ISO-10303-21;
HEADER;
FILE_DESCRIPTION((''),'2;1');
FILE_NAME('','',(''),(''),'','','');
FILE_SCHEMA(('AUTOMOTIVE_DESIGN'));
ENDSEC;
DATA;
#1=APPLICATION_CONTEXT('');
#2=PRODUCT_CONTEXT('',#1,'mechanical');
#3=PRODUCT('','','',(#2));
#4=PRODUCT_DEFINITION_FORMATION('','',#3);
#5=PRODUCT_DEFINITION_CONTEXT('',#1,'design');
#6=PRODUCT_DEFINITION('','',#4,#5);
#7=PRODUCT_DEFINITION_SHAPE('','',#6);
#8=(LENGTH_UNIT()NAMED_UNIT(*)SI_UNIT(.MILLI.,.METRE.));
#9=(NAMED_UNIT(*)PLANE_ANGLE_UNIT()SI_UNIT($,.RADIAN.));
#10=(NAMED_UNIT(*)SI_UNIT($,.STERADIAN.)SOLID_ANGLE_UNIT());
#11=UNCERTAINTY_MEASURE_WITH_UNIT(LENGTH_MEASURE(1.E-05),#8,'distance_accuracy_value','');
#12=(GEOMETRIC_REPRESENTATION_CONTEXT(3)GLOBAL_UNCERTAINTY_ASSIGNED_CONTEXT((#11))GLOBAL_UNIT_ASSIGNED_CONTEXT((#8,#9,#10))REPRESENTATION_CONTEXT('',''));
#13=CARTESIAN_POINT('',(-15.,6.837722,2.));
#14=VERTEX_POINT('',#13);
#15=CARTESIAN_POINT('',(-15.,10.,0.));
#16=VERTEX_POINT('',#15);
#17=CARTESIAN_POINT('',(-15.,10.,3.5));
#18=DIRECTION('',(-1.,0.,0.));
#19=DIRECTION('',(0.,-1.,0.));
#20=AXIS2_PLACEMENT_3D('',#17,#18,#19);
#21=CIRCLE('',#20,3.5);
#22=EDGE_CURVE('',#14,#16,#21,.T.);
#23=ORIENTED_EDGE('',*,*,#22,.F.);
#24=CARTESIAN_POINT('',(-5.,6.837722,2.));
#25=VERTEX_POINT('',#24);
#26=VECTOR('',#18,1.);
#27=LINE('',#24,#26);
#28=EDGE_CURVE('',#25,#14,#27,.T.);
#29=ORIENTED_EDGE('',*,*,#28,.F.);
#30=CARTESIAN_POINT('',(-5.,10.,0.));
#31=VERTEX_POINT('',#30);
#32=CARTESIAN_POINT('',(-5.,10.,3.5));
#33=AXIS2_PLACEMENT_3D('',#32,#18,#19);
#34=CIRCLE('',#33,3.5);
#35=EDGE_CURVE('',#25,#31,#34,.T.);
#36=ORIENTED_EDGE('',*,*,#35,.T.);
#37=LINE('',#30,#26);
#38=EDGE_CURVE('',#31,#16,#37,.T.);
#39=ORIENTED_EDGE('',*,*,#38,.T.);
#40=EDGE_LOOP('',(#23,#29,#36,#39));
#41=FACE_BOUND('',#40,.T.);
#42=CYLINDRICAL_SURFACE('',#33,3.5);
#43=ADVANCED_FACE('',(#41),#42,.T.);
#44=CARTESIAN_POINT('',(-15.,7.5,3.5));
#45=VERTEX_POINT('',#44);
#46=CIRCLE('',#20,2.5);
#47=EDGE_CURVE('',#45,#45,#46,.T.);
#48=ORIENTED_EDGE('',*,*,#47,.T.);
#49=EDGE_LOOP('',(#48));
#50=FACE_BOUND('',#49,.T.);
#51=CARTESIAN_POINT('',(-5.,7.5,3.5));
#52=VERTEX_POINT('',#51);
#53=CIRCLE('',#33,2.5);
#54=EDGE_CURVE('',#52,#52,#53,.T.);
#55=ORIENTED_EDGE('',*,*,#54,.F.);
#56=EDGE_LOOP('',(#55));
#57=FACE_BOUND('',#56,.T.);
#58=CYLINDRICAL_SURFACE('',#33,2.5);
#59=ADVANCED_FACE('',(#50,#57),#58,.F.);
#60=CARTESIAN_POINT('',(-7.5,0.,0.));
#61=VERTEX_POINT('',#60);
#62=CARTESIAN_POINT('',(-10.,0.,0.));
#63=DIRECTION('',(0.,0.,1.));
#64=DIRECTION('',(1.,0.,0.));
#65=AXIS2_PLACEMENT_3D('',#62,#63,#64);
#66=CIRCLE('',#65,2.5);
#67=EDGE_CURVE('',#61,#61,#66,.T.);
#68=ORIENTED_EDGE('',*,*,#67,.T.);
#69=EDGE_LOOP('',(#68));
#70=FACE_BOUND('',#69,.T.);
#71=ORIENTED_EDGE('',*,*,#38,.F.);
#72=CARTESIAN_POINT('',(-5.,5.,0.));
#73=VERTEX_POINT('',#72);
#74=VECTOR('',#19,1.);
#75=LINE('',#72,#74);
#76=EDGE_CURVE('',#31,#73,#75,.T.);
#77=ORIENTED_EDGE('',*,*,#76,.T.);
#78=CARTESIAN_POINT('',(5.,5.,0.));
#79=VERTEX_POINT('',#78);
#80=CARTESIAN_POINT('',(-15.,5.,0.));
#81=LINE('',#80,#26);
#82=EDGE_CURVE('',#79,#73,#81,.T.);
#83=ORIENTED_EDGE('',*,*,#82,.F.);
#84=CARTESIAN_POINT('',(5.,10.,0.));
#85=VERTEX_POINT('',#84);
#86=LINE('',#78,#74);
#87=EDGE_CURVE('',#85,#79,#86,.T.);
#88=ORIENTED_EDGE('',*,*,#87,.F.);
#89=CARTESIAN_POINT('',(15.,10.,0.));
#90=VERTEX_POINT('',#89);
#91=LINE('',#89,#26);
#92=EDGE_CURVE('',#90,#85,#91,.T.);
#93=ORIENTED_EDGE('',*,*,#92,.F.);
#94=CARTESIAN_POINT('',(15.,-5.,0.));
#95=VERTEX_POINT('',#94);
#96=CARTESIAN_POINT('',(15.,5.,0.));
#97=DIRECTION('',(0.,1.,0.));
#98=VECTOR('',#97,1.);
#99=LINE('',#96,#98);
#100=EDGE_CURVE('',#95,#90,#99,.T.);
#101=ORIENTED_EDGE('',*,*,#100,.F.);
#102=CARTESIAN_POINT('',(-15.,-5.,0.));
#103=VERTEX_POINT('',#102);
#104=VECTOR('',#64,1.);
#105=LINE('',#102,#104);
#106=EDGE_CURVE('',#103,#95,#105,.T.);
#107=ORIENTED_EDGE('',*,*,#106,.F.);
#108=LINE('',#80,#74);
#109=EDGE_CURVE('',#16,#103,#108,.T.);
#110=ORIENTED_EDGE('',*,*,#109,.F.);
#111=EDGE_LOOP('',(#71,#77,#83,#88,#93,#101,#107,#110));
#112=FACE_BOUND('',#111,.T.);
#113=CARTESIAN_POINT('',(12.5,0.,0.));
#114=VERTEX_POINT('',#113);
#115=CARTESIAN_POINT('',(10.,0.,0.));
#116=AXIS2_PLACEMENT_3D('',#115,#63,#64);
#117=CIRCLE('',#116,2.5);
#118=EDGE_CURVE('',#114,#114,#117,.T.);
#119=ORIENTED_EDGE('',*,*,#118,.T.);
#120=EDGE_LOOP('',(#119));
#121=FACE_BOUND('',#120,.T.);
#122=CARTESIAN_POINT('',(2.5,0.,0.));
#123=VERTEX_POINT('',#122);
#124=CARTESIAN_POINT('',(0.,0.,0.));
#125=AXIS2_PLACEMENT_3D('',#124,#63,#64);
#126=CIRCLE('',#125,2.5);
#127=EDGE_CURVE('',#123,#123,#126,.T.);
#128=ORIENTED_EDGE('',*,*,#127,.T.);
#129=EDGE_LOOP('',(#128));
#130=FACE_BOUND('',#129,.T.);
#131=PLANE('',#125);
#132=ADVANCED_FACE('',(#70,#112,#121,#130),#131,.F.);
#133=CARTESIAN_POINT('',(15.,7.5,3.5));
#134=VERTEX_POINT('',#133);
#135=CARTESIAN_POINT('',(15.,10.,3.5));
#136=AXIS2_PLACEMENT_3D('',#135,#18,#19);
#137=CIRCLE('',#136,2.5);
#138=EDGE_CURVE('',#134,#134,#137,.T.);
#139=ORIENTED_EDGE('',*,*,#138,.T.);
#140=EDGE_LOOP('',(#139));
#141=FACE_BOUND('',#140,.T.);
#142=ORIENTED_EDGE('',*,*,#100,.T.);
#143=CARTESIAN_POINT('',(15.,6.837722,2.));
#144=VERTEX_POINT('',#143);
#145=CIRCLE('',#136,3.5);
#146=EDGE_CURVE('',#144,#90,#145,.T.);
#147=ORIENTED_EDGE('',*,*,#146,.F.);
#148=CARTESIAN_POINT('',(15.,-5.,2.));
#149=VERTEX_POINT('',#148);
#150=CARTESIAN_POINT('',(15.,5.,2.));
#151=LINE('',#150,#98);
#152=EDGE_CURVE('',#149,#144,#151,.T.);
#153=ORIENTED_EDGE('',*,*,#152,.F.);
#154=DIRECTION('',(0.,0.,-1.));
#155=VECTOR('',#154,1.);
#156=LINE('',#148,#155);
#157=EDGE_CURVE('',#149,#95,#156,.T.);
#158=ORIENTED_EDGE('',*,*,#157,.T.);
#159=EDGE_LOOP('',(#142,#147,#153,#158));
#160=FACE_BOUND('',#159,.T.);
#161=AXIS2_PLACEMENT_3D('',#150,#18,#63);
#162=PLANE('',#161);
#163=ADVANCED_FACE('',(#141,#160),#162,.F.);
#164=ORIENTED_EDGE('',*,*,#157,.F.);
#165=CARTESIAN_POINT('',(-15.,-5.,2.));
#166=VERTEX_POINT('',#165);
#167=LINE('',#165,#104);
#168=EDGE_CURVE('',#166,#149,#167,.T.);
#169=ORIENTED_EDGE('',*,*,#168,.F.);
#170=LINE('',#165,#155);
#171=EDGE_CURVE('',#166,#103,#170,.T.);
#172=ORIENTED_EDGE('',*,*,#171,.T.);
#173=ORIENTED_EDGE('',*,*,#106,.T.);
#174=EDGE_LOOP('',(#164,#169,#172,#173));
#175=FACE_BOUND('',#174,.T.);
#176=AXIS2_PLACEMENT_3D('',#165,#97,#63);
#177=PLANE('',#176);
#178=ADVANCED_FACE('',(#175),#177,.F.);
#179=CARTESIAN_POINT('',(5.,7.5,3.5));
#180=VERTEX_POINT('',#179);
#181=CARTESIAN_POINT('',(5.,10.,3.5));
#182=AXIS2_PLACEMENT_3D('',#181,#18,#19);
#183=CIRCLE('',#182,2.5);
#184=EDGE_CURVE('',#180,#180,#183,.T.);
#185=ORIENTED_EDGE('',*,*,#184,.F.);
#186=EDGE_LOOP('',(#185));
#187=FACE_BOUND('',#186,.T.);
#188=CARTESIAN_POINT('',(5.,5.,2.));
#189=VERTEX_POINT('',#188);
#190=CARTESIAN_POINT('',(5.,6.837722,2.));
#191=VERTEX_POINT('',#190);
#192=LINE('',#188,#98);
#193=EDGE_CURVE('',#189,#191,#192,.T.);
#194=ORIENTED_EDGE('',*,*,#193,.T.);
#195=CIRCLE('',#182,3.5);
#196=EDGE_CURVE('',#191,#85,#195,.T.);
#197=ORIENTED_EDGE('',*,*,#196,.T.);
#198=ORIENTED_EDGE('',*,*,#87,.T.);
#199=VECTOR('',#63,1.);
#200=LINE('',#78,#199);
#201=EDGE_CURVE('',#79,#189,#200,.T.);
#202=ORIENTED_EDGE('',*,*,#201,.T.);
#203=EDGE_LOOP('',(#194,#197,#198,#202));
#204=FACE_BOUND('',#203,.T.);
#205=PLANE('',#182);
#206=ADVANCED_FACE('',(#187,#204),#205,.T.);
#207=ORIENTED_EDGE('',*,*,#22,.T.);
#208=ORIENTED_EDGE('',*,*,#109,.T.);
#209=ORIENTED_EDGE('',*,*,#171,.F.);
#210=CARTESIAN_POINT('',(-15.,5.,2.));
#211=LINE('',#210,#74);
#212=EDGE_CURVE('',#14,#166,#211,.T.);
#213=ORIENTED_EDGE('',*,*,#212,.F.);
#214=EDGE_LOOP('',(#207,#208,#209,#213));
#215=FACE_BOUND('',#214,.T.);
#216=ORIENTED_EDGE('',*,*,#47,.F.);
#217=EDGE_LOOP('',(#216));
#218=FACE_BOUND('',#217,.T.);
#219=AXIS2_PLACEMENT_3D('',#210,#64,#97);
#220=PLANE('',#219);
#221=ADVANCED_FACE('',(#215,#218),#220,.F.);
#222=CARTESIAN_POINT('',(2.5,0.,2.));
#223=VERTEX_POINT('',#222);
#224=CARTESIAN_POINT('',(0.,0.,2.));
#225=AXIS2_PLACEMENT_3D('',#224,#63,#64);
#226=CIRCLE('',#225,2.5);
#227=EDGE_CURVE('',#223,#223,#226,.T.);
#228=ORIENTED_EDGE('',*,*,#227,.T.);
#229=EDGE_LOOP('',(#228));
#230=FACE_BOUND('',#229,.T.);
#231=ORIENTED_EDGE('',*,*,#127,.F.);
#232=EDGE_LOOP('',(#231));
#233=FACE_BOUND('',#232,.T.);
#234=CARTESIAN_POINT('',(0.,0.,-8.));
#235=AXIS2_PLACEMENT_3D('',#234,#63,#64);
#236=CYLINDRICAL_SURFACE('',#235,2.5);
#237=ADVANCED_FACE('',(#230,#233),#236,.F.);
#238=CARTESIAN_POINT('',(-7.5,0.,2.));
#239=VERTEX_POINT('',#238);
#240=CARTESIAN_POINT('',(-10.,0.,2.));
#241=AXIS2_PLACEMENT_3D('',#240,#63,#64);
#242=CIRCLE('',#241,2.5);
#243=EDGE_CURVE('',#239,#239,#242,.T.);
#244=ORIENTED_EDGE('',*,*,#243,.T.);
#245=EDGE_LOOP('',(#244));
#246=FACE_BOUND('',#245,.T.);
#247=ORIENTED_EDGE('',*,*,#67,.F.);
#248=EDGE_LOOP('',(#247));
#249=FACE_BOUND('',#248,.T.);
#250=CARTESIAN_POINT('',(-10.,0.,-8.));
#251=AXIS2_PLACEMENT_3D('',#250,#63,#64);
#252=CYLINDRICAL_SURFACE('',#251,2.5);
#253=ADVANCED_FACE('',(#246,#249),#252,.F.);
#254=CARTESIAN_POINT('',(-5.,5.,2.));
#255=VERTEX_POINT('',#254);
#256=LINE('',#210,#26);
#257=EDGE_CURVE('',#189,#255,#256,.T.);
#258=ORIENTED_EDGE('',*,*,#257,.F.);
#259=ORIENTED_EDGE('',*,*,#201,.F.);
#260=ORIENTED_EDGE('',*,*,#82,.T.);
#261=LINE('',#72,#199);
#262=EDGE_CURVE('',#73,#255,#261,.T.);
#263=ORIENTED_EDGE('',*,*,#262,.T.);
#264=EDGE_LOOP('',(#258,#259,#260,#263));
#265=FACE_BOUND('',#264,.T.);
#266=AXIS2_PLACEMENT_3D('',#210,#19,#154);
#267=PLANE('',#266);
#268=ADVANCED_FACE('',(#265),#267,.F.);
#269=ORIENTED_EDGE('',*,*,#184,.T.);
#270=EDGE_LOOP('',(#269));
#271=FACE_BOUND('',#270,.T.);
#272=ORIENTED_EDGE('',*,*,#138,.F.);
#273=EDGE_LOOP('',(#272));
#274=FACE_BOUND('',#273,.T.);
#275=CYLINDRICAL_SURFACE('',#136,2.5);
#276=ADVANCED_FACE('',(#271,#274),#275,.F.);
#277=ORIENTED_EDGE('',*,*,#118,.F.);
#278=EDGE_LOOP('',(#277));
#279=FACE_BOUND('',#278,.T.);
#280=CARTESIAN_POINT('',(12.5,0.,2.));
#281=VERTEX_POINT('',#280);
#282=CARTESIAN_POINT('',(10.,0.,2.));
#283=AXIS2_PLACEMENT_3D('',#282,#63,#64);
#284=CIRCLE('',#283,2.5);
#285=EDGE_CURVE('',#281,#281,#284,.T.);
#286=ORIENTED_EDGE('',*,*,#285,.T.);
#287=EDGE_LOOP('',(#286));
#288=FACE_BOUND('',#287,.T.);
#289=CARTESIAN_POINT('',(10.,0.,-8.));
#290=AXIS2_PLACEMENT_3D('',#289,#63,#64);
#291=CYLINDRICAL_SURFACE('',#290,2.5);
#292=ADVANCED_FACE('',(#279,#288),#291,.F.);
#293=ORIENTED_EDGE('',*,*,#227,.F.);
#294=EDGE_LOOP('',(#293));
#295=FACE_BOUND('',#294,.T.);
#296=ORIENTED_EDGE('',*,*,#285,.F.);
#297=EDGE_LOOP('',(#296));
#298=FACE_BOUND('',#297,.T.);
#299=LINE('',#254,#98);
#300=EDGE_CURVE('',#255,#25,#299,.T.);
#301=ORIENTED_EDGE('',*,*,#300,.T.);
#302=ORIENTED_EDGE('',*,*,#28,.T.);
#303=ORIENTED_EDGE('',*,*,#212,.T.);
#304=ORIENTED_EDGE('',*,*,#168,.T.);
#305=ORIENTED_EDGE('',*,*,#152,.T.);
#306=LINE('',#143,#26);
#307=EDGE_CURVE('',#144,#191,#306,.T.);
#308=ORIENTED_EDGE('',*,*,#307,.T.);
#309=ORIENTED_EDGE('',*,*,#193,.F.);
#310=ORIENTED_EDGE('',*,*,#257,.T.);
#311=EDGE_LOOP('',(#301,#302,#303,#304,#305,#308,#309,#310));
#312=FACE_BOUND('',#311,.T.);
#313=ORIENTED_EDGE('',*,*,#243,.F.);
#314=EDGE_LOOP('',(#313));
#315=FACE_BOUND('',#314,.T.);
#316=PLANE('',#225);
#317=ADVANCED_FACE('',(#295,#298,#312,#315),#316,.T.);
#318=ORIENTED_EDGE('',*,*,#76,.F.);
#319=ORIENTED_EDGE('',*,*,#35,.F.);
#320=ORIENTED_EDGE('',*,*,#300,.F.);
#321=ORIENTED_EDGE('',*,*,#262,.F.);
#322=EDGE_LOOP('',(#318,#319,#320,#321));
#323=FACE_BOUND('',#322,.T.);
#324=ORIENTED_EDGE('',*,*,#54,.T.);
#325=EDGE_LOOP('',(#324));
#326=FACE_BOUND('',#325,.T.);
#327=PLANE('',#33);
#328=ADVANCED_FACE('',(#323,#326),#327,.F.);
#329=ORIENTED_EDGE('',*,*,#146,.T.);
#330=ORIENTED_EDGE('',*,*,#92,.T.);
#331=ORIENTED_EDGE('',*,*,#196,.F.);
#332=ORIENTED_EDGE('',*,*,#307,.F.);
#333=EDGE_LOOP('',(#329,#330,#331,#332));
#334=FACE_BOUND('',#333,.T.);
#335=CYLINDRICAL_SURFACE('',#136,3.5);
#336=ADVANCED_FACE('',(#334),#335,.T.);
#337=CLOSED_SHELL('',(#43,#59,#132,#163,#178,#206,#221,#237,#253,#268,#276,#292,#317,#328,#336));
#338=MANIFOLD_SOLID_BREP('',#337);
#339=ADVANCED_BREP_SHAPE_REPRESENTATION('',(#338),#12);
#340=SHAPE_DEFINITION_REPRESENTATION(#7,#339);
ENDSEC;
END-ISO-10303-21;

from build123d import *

# Parameters (mm, degrees)
SKETCH1_W           = 30
SKETCH1_H           = 10
BOSS_EXTRUDE1_DEPTH = 2
SKETCH2_R           = 2.5
BOSS_EXTRUDE2_DEPTH = 10
LPATTERN1_COUNT     = 2
LPATTERN1_PITCH     = 20
SKETCH3_R           = 2.5
CUT_EXTRUDE1_DEPTH  = 10


with BuildPart() as part:
    # Sketch1 → Boss-Extrude1 (new body)
    with BuildSketch(Plane.XY):
        Rectangle(SKETCH1_W, SKETCH1_H)
    extrude(amount=BOSS_EXTRUDE1_DEPTH)

    # Sketch2 → Boss-Extrude2 (add)
    with BuildSketch(Plane.ZY.offset(15)):
        with BuildLine():
            Line((0, 5), (0, 10))
            ThreePointArc((0, 10), (6.458039892, 11.870828693), (2, 6.83772234))
            Line((2, 6.83772234), (2, 5))
            Line((2, 5), (0, 5))
        make_face()
        with Locations((3.5, 10)):
            Circle(SKETCH2_R, mode=Mode.SUBTRACT)
    boss_extrude2 = extrude(amount=-BOSS_EXTRUDE2_DEPTH)

    # LPattern1: Boss-Extrude2 ×2
    with Locations(*[(i * LPATTERN1_PITCH, 0, 0) for i in range(1, LPATTERN1_COUNT)]):
        add(boss_extrude2)

    # Sketch3 → Cut-Extrude1 (cut)
    with BuildSketch(Plane.XY.offset(2)):
        with Locations((-10, 0)):
            Circle(SKETCH3_R)
        Circle(SKETCH3_R)
        with Locations((10, 0)):
            Circle(SKETCH3_R)
    extrude(amount=-CUT_EXTRUDE1_DEPTH, mode=Mode.SUBTRACT)


solid = part.part
